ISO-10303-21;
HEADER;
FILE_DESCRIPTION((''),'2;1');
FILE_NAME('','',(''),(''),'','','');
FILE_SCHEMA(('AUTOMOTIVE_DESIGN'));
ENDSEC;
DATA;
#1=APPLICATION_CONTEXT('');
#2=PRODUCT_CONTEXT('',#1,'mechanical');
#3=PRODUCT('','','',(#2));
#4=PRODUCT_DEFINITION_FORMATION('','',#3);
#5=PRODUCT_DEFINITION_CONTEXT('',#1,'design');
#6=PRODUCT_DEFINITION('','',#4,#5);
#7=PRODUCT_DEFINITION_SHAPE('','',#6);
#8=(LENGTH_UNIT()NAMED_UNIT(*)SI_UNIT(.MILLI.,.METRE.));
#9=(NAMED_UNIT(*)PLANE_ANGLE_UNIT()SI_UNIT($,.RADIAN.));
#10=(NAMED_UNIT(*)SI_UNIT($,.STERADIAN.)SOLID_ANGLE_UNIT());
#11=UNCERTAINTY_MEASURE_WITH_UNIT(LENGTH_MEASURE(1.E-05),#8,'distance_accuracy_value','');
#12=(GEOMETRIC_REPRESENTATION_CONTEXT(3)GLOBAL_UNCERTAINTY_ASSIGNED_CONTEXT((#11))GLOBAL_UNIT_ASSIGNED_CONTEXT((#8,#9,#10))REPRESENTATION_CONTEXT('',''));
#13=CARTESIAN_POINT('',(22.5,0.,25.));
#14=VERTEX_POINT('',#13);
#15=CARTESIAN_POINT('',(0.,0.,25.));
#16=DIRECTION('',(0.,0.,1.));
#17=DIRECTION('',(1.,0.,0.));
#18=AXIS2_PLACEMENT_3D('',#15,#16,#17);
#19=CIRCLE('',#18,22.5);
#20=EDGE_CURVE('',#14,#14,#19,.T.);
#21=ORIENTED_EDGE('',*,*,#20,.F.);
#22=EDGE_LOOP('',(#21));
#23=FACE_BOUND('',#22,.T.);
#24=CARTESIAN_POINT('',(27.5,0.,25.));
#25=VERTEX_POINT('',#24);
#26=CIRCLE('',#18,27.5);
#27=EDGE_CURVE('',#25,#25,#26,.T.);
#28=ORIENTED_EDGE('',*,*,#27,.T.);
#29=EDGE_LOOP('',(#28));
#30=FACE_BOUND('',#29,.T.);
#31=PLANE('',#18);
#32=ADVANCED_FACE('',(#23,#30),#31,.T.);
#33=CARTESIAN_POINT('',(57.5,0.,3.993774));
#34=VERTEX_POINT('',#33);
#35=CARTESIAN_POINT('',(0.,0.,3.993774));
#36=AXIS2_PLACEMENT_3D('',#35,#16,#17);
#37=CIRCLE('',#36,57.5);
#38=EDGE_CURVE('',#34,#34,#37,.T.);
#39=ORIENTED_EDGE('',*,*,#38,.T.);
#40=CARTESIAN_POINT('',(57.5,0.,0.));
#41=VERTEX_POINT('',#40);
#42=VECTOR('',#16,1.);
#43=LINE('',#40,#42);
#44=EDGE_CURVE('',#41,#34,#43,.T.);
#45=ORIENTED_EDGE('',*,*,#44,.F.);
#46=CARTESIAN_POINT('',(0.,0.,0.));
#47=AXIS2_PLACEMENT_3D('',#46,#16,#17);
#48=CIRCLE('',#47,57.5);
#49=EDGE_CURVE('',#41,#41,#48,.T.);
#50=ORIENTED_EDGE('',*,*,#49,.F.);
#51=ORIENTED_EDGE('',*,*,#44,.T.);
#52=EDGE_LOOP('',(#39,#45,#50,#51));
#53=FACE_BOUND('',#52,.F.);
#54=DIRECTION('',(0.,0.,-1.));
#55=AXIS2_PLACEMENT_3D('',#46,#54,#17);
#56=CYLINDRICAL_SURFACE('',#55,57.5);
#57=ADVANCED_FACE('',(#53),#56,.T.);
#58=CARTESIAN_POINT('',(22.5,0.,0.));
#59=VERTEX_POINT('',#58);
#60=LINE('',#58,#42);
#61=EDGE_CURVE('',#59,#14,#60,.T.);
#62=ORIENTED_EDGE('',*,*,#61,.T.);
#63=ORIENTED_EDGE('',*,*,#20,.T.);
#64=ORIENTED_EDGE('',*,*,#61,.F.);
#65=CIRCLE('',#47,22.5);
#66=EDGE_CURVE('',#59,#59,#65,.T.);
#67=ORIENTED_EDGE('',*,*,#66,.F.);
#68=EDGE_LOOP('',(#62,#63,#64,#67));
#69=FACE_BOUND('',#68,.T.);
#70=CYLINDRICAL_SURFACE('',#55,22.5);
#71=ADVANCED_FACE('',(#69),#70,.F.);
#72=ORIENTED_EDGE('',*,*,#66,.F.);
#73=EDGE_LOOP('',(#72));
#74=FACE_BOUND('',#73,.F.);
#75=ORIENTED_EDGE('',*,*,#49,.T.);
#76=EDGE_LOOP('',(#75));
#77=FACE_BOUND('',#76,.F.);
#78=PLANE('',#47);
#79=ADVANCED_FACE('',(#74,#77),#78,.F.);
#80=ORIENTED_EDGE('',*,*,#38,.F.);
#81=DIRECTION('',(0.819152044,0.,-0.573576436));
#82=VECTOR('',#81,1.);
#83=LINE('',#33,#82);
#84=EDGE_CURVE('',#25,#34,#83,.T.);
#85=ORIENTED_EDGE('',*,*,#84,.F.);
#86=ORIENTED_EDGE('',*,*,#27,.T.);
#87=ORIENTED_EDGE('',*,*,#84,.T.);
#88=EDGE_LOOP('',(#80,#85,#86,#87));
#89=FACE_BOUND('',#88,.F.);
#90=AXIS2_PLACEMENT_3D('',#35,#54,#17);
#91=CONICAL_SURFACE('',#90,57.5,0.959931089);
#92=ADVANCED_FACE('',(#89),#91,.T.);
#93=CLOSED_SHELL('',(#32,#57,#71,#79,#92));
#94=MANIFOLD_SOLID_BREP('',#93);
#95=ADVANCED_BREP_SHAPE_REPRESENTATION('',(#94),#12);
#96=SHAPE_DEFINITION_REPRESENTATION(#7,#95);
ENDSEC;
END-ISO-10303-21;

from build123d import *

# Parameters (mm, degrees)
F0_R     = 57.5
F0_R_2   = 25
F0_R_3   = 22.5
F1_DEPTH = 25
F2_SIZE2 = 21.0062261463
F2_SIZE  = 30


with BuildPart() as f1:
    # F0 (on Top) → F1 (new body)
    with BuildSketch(Plane.XY):
        Circle(F0_R)
        Circle(F0_R_2, mode=Mode.SUBTRACT)
        Circle(F0_R_2)
        Circle(F0_R_3, mode=Mode.SUBTRACT)
    extrude(amount=F1_DEPTH)

    # F2
    f2_edges = [f1.edges().sort_by_distance(p)[0] for p in [
        (-57.5, 0, 25),
    ]]
    f2_side = f1.faces().sort_by_distance((-55.873654, 0, 25))[0]
    chamfer(f2_edges, length=F2_SIZE, length2=F2_SIZE2, reference=f2_side)


solid = f1.part
